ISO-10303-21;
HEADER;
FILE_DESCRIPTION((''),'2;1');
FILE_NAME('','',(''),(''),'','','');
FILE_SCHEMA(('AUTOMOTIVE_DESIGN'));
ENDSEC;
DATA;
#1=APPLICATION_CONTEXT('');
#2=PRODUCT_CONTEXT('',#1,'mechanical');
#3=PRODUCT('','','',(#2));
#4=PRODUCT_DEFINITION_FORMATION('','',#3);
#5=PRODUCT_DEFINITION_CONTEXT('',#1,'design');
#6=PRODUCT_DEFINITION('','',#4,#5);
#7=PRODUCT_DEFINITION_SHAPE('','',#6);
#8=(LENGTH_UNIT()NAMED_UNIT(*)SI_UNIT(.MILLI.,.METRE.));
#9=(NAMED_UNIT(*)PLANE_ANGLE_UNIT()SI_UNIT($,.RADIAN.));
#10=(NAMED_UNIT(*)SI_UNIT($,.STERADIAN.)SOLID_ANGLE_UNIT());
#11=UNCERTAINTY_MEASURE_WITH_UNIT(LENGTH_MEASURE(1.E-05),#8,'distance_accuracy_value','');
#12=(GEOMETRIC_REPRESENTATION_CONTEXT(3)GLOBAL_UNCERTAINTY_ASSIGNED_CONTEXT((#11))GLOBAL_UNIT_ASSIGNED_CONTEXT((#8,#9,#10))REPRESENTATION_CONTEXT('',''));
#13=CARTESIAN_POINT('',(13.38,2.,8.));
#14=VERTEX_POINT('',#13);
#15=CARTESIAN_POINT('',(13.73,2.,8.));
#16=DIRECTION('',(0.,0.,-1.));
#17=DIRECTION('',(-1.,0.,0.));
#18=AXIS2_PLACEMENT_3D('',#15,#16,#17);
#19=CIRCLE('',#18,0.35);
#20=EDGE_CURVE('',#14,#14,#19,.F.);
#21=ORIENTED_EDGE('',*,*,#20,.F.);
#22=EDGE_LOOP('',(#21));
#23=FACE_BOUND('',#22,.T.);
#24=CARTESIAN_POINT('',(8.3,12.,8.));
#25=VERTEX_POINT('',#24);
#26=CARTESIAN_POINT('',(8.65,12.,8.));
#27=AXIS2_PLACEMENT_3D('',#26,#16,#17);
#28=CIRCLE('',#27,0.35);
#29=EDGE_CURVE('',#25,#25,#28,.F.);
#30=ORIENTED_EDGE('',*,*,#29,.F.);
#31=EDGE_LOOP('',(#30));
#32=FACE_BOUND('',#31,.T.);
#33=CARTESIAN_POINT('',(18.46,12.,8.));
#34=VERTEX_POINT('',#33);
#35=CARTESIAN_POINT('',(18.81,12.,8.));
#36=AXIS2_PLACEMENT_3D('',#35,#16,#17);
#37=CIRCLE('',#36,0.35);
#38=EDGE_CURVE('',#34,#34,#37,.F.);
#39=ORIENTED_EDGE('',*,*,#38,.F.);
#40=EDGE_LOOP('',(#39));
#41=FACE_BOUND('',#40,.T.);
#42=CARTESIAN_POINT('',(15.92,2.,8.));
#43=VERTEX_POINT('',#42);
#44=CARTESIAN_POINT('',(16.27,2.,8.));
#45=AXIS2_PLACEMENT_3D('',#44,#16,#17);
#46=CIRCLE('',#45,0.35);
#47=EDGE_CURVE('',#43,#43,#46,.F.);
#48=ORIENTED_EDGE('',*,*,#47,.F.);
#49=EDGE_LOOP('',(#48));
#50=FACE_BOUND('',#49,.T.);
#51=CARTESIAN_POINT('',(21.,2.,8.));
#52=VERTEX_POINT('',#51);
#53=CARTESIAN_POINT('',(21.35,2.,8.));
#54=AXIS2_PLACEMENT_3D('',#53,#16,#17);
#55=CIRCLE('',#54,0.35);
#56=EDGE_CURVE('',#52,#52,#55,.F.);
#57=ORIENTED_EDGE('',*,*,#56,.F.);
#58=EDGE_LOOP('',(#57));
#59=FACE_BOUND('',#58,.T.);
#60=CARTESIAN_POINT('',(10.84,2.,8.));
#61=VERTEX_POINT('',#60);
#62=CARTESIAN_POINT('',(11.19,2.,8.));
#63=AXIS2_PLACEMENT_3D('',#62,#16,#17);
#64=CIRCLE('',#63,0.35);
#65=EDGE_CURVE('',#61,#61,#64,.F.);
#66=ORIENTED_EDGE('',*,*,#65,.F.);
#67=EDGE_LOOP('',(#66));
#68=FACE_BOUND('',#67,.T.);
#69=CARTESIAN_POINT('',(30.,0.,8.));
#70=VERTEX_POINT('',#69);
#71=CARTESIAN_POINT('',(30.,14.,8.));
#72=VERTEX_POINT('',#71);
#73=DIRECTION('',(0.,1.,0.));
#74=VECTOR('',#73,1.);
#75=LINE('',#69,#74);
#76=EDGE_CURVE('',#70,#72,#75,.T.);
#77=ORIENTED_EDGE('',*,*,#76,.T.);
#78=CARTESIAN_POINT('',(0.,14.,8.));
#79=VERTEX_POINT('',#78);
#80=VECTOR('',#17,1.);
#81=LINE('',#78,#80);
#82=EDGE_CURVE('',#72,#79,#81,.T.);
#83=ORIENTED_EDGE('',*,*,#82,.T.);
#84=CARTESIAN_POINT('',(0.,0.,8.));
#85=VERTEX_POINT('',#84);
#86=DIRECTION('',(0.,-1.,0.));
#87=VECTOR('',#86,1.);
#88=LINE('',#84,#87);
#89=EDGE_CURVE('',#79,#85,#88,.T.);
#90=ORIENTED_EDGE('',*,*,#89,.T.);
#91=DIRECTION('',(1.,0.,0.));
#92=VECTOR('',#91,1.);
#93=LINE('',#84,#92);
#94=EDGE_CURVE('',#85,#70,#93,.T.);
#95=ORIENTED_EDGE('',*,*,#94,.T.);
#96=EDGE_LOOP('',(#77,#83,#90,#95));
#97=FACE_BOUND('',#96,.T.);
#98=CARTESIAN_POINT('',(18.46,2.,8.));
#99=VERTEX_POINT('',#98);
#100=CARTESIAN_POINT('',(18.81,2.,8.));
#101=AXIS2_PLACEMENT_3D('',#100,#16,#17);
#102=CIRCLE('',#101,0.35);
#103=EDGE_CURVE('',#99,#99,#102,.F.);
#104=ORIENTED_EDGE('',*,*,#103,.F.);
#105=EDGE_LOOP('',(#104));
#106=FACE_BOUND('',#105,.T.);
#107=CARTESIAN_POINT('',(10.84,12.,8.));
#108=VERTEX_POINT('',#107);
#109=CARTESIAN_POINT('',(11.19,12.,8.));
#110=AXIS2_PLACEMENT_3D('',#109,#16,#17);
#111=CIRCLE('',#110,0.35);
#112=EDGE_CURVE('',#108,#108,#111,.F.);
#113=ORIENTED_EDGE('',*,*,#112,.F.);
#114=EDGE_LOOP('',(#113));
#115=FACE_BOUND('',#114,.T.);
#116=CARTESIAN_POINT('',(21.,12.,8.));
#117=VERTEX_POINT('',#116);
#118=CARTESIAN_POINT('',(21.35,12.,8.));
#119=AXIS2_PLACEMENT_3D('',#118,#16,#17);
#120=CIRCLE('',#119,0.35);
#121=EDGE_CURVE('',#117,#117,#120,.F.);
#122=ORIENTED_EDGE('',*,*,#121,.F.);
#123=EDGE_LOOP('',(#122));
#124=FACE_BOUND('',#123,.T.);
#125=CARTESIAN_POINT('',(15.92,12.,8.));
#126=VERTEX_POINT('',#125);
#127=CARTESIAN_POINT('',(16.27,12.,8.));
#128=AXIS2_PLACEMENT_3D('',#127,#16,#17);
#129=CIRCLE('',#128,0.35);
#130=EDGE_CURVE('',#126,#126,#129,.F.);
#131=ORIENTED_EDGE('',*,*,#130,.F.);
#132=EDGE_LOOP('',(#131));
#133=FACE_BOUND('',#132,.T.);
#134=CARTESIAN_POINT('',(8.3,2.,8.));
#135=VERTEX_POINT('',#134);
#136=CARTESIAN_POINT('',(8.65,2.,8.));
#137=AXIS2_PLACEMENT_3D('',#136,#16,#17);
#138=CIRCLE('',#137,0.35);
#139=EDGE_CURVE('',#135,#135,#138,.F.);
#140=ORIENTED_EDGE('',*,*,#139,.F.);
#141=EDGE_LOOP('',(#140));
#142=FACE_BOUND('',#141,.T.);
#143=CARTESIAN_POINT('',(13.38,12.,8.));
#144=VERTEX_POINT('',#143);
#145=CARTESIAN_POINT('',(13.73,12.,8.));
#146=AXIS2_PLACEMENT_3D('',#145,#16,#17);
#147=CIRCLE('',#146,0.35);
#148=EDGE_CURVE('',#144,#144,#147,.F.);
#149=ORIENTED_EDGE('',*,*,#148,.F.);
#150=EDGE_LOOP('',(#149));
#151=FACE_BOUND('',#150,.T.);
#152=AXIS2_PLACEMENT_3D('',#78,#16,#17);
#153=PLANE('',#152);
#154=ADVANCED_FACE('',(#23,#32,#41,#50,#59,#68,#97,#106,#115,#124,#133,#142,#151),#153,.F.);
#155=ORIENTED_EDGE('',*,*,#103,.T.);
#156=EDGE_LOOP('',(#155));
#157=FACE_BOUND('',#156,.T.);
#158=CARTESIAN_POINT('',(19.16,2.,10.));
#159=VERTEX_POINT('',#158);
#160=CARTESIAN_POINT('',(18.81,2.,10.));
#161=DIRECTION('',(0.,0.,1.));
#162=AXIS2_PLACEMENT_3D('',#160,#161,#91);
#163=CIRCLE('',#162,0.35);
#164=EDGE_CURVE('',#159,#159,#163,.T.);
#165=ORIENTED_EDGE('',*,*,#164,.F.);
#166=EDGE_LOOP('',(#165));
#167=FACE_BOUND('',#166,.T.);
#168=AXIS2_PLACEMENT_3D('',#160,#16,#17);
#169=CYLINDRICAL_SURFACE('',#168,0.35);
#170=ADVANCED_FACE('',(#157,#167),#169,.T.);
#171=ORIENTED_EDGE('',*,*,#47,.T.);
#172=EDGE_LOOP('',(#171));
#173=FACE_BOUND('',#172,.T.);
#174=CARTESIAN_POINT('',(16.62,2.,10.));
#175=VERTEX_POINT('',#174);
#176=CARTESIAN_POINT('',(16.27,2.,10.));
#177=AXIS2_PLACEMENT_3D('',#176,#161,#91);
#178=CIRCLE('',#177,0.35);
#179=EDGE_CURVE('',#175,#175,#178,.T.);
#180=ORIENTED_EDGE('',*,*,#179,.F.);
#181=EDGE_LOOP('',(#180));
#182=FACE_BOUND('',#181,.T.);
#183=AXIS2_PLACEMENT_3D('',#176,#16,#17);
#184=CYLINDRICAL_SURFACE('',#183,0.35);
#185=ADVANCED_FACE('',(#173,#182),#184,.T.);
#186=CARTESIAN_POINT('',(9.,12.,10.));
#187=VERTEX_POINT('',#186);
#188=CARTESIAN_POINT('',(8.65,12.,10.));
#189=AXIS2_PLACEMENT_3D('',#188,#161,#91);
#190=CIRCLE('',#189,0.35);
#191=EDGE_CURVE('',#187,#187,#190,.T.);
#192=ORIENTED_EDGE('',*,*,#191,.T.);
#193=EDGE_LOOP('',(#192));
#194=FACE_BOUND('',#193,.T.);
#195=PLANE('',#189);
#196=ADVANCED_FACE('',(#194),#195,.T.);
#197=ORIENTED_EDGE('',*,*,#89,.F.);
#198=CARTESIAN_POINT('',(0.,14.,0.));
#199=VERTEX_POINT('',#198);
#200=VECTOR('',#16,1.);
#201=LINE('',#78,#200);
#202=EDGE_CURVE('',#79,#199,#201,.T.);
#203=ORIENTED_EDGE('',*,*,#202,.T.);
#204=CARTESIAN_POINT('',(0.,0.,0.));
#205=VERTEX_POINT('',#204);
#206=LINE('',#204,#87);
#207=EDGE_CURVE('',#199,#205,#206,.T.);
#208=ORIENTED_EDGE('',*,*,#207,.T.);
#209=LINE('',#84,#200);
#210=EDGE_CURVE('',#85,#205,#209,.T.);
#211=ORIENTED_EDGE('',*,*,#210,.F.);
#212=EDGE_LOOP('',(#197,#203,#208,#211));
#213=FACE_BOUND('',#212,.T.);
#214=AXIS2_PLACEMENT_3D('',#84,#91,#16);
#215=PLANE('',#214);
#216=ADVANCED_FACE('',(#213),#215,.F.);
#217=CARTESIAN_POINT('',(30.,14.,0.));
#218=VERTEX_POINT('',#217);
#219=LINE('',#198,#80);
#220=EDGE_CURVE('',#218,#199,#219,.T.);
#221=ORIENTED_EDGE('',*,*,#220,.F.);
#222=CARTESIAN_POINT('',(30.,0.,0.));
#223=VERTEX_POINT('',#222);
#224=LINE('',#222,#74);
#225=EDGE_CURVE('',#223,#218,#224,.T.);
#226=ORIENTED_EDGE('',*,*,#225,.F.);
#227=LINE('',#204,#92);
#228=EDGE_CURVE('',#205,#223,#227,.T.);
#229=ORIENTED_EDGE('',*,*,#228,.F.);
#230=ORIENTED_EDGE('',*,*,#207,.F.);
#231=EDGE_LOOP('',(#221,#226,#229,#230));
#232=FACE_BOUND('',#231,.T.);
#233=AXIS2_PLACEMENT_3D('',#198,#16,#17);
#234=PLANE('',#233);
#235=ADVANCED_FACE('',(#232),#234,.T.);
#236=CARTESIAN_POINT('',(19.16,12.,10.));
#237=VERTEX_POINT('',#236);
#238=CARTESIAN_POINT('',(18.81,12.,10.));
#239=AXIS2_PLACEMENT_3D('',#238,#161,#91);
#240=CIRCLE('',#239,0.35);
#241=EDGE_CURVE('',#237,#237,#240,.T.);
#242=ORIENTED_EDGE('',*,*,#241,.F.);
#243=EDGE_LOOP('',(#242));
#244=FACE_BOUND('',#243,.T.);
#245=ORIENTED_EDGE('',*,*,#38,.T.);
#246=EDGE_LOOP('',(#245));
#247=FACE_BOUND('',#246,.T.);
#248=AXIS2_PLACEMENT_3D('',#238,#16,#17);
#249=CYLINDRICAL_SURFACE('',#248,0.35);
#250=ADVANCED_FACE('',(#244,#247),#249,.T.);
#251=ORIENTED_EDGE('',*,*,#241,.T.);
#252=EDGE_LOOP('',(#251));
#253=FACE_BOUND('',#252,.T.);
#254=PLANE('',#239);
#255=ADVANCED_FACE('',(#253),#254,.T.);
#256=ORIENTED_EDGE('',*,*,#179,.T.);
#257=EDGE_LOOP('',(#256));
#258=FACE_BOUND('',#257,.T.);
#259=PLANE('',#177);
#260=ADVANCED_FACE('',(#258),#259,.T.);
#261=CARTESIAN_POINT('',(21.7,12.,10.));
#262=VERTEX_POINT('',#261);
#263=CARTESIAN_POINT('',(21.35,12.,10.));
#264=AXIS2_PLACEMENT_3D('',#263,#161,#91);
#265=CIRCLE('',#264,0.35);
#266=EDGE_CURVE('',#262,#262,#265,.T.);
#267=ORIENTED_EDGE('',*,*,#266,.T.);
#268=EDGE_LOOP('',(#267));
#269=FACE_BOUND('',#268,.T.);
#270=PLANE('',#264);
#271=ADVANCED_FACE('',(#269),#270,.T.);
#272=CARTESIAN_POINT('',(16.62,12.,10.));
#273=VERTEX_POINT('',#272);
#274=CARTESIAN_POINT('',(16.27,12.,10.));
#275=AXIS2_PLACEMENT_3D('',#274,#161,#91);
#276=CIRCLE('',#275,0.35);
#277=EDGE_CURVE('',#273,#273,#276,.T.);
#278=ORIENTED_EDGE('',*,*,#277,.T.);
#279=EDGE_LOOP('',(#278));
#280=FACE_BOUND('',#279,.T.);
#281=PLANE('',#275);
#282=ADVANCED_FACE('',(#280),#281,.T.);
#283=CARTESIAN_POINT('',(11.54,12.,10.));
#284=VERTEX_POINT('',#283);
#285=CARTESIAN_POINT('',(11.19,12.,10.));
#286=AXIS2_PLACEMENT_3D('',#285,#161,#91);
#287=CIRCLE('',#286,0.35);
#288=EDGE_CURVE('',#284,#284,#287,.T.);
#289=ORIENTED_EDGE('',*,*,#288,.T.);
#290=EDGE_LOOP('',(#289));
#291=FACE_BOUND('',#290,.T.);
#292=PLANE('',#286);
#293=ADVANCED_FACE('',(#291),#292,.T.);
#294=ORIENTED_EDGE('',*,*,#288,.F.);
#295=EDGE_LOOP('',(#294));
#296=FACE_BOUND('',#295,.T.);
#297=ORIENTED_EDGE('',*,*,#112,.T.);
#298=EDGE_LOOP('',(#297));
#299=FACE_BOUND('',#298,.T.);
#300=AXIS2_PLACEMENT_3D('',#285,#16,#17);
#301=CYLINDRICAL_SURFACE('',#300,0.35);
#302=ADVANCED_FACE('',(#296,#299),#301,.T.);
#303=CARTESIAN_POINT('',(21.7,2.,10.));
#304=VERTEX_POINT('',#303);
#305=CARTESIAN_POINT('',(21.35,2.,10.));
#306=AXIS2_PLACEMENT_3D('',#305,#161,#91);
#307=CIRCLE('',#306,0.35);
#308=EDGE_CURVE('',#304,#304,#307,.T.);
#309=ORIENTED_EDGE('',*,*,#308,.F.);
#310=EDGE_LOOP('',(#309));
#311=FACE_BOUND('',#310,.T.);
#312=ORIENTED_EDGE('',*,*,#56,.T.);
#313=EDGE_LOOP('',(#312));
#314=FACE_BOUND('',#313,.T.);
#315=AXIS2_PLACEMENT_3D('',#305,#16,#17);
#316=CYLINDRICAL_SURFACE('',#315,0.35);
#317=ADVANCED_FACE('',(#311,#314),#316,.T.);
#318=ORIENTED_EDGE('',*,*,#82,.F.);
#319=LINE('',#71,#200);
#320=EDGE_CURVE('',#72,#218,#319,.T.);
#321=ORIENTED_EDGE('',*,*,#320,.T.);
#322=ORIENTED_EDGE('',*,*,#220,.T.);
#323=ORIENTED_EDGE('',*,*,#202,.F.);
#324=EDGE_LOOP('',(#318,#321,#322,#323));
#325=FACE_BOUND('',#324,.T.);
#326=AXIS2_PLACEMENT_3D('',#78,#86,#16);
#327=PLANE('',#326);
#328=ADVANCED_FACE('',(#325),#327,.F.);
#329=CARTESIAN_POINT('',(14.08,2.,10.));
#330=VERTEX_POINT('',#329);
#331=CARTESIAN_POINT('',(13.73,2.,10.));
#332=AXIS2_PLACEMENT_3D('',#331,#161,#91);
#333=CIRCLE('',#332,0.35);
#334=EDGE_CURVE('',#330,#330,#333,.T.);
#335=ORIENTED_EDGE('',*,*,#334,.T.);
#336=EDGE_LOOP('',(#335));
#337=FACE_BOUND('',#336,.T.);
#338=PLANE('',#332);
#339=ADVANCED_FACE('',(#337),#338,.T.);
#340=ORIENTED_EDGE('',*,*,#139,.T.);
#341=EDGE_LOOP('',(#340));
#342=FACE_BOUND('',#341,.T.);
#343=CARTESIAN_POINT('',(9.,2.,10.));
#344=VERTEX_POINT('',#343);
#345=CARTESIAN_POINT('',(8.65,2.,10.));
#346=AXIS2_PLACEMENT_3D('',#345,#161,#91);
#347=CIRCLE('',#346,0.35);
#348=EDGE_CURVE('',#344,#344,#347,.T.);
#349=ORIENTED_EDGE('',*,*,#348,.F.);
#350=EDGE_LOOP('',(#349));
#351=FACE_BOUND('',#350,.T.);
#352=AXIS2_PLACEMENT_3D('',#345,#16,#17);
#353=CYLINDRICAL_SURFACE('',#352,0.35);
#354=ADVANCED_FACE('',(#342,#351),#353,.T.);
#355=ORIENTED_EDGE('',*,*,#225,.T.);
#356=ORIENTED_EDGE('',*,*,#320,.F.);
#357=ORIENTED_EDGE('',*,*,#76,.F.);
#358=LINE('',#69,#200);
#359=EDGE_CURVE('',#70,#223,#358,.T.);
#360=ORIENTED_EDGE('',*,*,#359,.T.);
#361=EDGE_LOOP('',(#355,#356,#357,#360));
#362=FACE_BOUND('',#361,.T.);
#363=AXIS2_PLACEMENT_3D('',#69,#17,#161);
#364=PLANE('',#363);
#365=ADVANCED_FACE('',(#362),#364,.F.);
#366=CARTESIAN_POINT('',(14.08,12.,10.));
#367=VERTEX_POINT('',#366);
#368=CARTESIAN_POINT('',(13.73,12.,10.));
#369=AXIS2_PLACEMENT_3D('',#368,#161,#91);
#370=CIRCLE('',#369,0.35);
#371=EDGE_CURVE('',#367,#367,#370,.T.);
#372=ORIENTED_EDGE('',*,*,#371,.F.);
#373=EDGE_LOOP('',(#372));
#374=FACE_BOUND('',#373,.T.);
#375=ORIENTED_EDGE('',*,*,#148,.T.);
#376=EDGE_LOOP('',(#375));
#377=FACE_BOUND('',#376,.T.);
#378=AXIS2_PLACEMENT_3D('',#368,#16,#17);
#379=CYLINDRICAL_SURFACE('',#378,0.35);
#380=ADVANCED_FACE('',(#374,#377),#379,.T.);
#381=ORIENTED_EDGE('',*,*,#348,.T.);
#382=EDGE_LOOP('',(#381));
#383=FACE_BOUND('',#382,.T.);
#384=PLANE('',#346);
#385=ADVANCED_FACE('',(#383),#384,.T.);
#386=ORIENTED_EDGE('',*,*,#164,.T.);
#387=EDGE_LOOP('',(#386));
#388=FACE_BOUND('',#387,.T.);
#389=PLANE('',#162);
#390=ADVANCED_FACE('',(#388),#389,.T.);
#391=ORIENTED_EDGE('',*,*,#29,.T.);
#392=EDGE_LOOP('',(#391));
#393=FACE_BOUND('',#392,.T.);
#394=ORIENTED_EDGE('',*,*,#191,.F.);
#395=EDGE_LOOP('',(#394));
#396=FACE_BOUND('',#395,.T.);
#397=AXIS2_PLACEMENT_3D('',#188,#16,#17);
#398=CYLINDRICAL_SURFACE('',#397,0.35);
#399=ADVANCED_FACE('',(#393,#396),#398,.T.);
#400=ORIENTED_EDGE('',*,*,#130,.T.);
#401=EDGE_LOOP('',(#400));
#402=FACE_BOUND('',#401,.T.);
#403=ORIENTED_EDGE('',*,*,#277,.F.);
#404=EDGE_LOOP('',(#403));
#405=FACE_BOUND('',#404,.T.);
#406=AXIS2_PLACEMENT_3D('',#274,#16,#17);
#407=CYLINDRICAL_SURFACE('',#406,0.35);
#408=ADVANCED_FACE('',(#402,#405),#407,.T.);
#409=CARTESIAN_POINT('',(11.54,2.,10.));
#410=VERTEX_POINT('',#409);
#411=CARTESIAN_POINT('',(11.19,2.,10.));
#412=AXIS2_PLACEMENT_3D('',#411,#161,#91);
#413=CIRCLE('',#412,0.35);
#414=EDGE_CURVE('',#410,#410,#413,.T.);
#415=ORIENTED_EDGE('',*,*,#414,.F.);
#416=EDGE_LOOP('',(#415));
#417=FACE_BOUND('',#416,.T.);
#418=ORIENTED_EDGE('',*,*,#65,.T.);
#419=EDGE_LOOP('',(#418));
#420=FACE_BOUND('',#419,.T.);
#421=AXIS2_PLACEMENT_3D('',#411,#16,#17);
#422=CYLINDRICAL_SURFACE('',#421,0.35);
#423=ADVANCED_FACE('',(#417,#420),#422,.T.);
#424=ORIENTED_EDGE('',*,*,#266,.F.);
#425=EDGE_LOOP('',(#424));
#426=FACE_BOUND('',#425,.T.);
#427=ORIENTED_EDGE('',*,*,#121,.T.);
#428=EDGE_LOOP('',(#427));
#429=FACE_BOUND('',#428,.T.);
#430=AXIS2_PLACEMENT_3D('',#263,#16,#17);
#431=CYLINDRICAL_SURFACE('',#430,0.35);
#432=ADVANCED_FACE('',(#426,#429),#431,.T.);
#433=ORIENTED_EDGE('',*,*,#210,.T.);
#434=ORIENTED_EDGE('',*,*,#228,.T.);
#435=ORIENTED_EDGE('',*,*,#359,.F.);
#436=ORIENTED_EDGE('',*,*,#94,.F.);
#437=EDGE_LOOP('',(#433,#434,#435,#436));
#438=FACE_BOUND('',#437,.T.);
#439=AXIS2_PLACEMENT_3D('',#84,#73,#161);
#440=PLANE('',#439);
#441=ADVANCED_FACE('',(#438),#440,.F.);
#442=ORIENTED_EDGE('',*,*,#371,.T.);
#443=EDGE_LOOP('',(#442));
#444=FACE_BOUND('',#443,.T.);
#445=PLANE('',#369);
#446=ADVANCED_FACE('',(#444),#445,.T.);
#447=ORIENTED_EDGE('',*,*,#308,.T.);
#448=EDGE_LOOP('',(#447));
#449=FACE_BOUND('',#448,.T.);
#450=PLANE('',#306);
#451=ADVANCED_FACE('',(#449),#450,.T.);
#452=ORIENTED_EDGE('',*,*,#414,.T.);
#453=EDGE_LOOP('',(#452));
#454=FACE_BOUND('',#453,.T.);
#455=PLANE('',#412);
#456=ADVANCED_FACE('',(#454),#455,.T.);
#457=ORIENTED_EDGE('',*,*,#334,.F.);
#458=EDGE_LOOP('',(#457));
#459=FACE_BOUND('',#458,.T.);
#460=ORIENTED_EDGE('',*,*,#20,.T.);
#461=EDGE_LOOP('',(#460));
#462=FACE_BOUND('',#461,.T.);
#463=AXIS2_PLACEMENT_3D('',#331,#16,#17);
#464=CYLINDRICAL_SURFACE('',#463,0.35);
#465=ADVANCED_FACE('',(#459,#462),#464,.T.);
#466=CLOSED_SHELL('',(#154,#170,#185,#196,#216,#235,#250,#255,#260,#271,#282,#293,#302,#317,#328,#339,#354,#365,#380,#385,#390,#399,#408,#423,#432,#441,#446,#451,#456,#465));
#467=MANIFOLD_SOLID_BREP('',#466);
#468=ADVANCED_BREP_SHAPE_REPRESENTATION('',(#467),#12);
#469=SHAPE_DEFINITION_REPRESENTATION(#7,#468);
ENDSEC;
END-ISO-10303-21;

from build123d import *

# Parameters (mm, degrees)
SKETCH_1_W      = 30
SKETCH_1_H      = 14
EXTRUDE_1_DEPTH = 8
SKETCH_2_R      = 0.35
EXTRUDE_2_DEPTH = 2


with BuildPart() as part:
    # 草图1 → 凸台-拉伸1 (new body)
    with BuildSketch(Plane.XY):
        with Locations((15, 7)):
            Rectangle(SKETCH_1_W, SKETCH_1_H)
    extrude(amount=EXTRUDE_1_DEPTH)

    # 草图2 → 凸台-拉伸2 (add)
    with BuildSketch(Plane.XY.offset(8)):
        with Locations(Location((13.73, 12, 0), (0, 0, 180))):
            Circle(SKETCH_2_R)
        with Locations(Location((16.27, 12, 0), (0, 0, 180))):
            Circle(SKETCH_2_R)
        with Locations(Location((18.81, 12, 0), (0, 0, 180))):
            Circle(SKETCH_2_R)
        with Locations(Location((21.35, 12, 0), (0, 0, 180))):
            Circle(SKETCH_2_R)
        with Locations(Location((13.73, 2, 0), (0, 0, 180))):
            Circle(SKETCH_2_R)
        with Locations(Location((16.27, 2, 0), (0, 0, 180))):
            Circle(SKETCH_2_R)
        with Locations(Location((18.81, 2, 0), (0, 0, 180))):
            Circle(SKETCH_2_R)
        with Locations(Location((21.35, 2, 0), (0, 0, 180))):
            Circle(SKETCH_2_R)
        with Locations(Location((11.19, 12, 0), (0, 0, 180))):
            Circle(SKETCH_2_R)
        with Locations(Location((8.65, 12, 0), (0, 0, 180))):
            Circle(SKETCH_2_R)
        with Locations(Location((11.19, 2, 0), (0, 0, 180))):
            Circle(SKETCH_2_R)
        with Locations(Location((8.65, 2, 0), (0, 0, 180))):
            Circle(SKETCH_2_R)
    extrude(amount=EXTRUDE_2_DEPTH)


solid = part.part
